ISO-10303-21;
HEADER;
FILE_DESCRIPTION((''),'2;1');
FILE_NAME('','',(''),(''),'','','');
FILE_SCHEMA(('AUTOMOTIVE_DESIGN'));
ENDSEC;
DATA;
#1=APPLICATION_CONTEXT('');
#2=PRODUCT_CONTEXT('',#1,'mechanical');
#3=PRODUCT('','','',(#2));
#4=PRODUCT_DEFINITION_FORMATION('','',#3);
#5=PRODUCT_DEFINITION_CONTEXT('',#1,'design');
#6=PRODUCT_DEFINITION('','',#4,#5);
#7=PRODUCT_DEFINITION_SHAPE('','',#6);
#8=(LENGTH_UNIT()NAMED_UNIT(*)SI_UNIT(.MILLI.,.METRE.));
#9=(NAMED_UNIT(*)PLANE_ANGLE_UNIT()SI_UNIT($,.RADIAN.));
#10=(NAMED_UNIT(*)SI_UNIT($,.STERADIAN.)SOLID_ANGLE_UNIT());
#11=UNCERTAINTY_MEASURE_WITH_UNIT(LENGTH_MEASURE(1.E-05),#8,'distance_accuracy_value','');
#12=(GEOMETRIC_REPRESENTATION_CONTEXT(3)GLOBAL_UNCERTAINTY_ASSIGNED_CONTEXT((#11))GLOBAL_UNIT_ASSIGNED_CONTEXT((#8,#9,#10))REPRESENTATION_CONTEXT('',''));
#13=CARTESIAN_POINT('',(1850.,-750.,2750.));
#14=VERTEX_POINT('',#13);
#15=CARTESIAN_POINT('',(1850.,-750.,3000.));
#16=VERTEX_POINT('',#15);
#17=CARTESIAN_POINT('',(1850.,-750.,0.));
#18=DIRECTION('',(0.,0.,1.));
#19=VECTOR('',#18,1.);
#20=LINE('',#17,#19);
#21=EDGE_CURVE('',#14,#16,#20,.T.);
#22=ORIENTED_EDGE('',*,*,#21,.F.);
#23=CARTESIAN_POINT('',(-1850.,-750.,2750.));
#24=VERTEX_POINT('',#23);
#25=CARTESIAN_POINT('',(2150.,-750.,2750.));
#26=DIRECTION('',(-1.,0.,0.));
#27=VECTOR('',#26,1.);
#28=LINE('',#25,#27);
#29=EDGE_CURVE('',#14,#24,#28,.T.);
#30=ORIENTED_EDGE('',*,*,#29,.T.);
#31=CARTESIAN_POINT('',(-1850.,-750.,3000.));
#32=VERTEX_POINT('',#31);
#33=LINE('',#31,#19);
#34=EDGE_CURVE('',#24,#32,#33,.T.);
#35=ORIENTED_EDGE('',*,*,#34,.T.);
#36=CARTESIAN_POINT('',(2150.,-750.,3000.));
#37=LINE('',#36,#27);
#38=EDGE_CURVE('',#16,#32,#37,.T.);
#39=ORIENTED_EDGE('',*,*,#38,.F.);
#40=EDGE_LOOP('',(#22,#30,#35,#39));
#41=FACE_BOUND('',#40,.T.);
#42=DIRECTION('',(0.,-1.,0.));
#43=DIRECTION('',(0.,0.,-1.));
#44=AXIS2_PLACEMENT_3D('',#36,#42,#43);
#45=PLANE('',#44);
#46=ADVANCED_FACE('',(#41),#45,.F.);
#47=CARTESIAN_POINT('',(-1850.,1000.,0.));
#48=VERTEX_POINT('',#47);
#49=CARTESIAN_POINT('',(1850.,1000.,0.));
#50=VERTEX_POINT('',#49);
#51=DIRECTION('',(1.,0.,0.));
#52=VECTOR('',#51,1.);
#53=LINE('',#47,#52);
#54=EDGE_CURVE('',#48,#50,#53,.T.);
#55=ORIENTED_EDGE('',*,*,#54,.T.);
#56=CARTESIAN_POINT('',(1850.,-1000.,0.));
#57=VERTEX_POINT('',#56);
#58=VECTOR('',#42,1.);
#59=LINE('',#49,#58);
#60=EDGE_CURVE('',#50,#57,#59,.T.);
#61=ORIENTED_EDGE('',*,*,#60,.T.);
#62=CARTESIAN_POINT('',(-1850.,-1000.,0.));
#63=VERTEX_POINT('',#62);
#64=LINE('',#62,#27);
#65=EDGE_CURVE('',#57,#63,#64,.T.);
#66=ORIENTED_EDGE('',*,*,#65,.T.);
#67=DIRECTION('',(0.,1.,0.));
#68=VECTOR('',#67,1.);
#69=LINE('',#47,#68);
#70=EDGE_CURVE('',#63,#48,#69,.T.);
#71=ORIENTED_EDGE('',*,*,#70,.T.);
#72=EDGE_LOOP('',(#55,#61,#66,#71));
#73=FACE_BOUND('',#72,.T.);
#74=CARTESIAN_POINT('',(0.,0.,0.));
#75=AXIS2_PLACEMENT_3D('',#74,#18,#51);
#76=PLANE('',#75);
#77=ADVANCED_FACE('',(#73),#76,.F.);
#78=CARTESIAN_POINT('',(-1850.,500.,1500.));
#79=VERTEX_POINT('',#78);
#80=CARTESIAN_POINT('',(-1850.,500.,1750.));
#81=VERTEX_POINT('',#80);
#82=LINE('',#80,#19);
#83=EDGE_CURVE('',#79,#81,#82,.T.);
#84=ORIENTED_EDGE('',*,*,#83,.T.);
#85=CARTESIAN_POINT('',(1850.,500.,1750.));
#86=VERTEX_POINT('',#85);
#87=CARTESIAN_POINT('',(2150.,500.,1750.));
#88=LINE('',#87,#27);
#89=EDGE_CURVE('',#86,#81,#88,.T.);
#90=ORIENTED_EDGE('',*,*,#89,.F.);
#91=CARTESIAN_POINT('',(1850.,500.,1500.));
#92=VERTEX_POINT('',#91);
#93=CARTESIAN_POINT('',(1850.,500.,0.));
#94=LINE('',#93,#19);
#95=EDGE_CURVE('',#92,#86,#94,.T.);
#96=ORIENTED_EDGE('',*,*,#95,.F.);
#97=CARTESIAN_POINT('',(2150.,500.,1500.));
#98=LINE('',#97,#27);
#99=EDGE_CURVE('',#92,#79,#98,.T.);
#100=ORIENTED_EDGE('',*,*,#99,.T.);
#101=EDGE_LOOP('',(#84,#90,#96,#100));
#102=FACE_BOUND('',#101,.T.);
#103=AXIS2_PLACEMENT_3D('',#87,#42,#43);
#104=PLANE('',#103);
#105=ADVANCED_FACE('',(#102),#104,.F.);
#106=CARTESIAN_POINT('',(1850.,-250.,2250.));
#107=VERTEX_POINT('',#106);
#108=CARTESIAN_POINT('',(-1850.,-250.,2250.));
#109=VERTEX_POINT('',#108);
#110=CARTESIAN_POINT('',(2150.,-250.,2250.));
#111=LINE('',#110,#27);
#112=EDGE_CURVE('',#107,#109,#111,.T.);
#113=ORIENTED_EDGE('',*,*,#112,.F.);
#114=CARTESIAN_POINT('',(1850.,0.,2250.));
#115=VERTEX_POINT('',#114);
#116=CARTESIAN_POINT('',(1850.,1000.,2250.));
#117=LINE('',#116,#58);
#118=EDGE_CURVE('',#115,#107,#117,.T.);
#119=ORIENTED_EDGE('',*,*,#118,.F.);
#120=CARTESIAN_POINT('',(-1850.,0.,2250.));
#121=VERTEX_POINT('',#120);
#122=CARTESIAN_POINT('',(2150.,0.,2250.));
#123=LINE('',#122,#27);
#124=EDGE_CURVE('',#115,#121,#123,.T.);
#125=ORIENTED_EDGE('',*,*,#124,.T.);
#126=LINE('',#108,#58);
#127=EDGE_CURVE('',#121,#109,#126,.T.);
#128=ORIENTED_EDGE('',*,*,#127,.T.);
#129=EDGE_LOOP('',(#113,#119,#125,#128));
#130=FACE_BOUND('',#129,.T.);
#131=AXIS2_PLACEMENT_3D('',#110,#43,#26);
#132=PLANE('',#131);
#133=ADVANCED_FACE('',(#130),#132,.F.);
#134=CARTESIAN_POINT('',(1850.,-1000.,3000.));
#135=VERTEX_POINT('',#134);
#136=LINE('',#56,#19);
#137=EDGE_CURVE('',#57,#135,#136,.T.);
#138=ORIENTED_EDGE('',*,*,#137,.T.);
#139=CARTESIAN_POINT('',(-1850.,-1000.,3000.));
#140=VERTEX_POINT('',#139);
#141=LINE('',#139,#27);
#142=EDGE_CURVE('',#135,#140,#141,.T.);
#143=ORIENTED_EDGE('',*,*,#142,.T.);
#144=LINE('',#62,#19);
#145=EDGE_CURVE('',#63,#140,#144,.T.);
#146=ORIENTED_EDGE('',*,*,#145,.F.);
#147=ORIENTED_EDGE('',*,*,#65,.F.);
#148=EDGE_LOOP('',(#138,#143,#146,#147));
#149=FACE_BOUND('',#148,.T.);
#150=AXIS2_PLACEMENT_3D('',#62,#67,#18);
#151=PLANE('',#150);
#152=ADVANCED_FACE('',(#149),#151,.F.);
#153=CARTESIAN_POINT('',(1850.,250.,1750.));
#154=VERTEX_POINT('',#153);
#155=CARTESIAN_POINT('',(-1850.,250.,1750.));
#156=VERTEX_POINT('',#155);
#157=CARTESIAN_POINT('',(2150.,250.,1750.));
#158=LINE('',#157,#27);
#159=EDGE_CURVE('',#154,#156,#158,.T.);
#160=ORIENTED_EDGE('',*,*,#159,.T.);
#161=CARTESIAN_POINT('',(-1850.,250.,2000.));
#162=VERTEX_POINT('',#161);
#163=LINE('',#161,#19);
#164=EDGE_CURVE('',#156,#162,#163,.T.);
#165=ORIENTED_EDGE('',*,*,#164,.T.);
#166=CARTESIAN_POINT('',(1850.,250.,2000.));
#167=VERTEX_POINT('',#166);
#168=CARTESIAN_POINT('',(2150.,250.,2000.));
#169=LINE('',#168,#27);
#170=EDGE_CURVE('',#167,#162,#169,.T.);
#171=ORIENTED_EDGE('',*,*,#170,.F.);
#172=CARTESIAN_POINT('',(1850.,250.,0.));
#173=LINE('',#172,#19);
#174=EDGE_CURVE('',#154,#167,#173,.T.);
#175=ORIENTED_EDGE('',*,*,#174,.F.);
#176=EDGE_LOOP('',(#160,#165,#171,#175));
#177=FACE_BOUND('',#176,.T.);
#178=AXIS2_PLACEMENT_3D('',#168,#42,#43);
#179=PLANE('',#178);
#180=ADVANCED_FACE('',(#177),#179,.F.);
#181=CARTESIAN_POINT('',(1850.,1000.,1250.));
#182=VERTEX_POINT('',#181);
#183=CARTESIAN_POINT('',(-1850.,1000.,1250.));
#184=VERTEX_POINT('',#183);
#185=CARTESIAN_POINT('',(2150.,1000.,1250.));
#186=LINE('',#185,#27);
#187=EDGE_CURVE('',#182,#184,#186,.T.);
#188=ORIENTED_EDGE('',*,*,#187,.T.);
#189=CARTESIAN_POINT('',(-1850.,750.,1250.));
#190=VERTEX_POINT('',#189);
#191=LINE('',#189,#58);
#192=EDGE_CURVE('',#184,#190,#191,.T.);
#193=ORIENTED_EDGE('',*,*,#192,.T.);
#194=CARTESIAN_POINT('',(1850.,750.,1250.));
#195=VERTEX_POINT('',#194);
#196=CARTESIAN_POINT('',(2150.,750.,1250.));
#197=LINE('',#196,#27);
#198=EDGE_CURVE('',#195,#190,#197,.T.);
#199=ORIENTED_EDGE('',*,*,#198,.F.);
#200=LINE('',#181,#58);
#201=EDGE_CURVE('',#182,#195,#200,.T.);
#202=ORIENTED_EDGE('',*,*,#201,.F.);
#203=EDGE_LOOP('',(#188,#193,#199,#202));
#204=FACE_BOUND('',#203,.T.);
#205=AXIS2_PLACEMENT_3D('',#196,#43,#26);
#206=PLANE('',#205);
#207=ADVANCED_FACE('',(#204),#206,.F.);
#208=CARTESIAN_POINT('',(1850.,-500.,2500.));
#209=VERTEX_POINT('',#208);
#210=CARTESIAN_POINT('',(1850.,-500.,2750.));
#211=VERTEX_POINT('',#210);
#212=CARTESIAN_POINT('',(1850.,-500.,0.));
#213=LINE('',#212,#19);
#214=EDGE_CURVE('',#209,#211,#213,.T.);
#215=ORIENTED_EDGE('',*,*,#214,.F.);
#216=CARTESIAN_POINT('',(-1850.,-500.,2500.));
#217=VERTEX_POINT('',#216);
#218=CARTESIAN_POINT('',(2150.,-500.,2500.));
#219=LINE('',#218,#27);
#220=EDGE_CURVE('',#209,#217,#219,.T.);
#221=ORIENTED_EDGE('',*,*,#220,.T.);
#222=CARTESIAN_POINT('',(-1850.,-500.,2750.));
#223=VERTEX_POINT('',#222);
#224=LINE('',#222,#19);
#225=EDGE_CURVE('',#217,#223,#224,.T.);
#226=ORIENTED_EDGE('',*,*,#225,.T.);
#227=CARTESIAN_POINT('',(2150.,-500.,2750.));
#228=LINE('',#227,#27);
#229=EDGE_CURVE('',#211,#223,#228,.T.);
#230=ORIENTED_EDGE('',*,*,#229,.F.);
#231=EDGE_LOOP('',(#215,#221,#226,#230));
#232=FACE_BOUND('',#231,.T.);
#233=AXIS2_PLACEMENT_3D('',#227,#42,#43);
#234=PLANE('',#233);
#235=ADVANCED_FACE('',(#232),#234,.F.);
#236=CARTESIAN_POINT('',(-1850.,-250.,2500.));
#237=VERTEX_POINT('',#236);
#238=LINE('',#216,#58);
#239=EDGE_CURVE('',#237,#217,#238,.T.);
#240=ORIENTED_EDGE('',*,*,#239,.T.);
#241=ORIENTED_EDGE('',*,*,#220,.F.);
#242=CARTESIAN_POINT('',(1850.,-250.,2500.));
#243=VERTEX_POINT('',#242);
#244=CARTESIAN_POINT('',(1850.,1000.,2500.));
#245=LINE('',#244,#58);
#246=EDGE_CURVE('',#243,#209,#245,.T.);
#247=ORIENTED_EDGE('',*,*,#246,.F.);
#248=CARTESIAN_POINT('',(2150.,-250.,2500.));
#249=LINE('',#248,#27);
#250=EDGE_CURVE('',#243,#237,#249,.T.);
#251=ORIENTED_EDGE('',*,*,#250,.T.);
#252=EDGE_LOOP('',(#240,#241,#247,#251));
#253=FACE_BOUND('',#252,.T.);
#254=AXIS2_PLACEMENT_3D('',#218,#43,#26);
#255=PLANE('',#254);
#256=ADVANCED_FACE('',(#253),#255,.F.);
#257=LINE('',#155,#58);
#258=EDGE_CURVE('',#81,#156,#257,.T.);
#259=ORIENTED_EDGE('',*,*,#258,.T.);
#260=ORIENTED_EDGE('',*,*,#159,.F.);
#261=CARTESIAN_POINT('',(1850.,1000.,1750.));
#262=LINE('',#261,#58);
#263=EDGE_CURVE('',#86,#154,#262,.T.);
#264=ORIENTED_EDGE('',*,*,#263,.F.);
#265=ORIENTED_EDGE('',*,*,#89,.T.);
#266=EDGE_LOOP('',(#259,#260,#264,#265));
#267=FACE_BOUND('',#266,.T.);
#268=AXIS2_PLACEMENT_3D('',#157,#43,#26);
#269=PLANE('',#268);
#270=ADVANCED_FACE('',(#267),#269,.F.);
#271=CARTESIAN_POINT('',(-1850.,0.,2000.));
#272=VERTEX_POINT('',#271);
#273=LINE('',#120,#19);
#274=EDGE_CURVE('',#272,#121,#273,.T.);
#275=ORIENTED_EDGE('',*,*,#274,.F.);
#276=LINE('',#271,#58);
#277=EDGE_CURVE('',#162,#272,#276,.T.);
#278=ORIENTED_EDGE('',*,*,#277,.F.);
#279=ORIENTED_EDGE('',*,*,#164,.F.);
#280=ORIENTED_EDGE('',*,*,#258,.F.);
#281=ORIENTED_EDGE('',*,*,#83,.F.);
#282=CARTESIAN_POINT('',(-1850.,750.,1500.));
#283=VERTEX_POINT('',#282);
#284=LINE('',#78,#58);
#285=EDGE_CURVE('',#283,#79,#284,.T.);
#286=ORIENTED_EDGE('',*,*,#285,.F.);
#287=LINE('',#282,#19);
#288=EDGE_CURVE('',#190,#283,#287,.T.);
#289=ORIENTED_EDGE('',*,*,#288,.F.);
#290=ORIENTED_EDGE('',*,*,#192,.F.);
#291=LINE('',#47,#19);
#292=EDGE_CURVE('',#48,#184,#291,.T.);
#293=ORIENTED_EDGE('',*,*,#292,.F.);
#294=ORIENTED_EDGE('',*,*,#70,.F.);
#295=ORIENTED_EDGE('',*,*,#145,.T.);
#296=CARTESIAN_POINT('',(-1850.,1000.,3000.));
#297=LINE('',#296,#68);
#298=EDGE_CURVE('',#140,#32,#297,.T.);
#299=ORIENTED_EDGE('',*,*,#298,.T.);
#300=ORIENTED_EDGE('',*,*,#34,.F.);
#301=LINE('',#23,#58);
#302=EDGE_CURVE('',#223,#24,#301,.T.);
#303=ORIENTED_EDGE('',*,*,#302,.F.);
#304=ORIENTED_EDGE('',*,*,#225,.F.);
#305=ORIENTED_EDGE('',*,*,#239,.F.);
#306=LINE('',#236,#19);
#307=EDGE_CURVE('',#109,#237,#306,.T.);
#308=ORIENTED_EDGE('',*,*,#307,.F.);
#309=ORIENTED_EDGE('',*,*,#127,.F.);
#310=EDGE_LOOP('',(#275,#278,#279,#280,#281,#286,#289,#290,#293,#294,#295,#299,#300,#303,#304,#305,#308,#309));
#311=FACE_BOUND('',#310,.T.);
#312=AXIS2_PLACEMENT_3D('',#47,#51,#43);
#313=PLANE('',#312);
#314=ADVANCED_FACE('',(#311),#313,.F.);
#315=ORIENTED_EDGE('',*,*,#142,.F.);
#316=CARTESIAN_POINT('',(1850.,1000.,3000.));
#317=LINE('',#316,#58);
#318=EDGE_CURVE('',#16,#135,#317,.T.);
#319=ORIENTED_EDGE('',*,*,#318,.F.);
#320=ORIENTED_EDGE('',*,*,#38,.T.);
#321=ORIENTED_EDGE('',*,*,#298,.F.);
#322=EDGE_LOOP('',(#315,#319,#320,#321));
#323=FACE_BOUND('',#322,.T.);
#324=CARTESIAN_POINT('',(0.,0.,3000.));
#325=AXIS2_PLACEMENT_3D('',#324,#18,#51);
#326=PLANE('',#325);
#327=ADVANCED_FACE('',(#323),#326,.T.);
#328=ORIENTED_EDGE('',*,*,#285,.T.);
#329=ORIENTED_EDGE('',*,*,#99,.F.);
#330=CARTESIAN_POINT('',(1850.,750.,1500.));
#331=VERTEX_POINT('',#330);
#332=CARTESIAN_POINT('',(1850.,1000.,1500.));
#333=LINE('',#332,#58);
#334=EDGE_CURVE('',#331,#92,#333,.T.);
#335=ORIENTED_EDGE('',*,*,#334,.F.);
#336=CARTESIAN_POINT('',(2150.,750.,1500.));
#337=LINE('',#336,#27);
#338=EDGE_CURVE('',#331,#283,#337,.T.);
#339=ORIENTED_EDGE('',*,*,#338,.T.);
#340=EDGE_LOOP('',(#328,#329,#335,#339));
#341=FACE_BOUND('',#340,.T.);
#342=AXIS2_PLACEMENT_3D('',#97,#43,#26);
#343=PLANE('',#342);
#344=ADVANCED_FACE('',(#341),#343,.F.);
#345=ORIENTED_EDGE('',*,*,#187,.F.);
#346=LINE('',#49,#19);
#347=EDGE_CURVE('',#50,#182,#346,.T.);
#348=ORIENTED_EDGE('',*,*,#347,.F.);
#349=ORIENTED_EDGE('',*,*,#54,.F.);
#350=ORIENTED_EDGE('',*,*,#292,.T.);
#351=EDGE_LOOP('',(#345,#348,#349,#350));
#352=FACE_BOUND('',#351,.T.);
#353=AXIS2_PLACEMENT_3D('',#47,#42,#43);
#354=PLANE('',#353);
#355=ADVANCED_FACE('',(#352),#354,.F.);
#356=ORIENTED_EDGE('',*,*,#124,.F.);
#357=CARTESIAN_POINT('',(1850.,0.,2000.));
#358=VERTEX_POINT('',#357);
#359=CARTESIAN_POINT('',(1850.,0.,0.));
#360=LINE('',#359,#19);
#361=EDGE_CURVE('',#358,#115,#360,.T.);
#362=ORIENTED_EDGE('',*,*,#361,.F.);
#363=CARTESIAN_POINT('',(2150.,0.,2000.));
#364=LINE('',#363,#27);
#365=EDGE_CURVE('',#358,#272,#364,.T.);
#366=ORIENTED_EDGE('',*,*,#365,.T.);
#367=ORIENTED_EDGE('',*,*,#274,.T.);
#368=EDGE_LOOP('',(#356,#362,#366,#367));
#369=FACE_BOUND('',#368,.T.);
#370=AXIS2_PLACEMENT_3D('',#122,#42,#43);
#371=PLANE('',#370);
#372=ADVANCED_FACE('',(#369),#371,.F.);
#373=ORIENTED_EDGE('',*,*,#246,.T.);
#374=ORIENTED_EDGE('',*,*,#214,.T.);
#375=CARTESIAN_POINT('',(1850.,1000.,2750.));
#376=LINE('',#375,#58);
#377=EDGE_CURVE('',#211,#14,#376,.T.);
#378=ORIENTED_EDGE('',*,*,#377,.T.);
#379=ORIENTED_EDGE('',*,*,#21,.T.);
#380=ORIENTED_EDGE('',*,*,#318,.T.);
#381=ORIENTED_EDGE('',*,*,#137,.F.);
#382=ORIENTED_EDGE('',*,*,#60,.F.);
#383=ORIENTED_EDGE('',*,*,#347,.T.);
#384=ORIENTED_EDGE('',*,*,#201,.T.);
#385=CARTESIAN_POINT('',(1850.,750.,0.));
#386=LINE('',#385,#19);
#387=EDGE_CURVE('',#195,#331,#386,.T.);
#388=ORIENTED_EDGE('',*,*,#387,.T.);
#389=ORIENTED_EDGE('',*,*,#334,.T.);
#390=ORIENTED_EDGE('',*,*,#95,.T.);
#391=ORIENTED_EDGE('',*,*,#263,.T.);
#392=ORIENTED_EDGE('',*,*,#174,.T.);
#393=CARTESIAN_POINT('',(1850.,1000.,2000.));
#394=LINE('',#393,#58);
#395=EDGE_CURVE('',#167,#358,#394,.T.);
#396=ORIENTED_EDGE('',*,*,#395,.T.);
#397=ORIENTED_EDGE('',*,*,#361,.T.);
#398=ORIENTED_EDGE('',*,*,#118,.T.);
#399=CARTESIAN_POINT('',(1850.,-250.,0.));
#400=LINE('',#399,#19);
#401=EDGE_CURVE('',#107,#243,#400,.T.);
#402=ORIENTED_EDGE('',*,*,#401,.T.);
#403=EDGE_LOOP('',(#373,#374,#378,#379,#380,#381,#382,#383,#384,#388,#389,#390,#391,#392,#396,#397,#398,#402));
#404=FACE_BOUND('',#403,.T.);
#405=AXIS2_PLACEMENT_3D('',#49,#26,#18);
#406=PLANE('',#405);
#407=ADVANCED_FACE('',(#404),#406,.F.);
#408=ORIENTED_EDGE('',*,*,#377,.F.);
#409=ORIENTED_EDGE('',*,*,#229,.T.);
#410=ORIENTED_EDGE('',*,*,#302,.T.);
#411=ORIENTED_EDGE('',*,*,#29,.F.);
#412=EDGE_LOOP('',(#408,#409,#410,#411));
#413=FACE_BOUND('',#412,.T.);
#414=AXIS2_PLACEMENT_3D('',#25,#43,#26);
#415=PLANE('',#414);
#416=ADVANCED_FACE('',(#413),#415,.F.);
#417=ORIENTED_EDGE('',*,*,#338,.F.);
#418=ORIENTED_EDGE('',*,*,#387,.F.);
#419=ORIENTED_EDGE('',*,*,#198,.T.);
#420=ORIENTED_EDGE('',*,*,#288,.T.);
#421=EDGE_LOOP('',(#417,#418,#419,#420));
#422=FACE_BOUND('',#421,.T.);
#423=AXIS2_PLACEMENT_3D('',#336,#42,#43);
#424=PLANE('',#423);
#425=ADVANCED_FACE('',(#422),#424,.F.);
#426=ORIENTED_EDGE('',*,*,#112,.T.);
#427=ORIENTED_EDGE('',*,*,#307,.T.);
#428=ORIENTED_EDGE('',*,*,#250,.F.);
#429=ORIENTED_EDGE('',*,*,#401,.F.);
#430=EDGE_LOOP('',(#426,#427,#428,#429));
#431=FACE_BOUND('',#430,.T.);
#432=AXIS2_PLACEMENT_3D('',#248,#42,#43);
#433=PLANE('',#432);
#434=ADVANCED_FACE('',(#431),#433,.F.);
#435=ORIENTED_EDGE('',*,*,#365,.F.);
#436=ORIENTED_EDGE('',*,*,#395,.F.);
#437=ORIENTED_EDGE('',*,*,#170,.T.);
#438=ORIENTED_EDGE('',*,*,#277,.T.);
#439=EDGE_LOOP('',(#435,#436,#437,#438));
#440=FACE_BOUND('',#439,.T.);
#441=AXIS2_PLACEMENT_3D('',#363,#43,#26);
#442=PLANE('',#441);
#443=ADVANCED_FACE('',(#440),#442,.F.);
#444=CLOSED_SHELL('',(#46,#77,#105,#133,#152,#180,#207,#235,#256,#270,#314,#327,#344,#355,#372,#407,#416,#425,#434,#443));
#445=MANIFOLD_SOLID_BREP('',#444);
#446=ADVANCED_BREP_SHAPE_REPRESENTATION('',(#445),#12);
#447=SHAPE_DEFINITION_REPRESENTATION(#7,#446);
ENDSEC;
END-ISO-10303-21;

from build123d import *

# Parameters (mm, degrees)
BOSS_EXTRUDE2_DEPTH = 3000
CUT_EXTRUDE1_DEPTH  = 4000


with BuildPart() as part:
    # 3DSketch3 → Boss-Extrude2 (new body)
    with BuildSketch(Plane(origin=(-1850, 1000, 0), x_dir=(0.8797065135761271, -0.47551703436547405, 0), z_dir=(0, 0, 1))):
        Polygon((0, 0), (3254.914100232, 1759.413027152), (4205.948168963, 0), (951.034068731, -1759.413027152), align=None)
    extrude(amount=BOSS_EXTRUDE2_DEPTH)

    # Sketch4 → Cut-Extrude1 (cut)
    with BuildSketch(Plane.ZY.offset(1850)):
        Polygon((3000, -750), (2750, -750), (2750, -500), (2500, -500), (2500, -250), (2250, -250), (2250, 0), (2000, 0), (2000, 250), (1750, 250), (1750, 500), (1500, 500), (1500, 750), (1250, 750), (1250, 1000), (3000, 1000), align=None)
    extrude(amount=-CUT_EXTRUDE1_DEPTH, mode=Mode.SUBTRACT)


solid = part.part
